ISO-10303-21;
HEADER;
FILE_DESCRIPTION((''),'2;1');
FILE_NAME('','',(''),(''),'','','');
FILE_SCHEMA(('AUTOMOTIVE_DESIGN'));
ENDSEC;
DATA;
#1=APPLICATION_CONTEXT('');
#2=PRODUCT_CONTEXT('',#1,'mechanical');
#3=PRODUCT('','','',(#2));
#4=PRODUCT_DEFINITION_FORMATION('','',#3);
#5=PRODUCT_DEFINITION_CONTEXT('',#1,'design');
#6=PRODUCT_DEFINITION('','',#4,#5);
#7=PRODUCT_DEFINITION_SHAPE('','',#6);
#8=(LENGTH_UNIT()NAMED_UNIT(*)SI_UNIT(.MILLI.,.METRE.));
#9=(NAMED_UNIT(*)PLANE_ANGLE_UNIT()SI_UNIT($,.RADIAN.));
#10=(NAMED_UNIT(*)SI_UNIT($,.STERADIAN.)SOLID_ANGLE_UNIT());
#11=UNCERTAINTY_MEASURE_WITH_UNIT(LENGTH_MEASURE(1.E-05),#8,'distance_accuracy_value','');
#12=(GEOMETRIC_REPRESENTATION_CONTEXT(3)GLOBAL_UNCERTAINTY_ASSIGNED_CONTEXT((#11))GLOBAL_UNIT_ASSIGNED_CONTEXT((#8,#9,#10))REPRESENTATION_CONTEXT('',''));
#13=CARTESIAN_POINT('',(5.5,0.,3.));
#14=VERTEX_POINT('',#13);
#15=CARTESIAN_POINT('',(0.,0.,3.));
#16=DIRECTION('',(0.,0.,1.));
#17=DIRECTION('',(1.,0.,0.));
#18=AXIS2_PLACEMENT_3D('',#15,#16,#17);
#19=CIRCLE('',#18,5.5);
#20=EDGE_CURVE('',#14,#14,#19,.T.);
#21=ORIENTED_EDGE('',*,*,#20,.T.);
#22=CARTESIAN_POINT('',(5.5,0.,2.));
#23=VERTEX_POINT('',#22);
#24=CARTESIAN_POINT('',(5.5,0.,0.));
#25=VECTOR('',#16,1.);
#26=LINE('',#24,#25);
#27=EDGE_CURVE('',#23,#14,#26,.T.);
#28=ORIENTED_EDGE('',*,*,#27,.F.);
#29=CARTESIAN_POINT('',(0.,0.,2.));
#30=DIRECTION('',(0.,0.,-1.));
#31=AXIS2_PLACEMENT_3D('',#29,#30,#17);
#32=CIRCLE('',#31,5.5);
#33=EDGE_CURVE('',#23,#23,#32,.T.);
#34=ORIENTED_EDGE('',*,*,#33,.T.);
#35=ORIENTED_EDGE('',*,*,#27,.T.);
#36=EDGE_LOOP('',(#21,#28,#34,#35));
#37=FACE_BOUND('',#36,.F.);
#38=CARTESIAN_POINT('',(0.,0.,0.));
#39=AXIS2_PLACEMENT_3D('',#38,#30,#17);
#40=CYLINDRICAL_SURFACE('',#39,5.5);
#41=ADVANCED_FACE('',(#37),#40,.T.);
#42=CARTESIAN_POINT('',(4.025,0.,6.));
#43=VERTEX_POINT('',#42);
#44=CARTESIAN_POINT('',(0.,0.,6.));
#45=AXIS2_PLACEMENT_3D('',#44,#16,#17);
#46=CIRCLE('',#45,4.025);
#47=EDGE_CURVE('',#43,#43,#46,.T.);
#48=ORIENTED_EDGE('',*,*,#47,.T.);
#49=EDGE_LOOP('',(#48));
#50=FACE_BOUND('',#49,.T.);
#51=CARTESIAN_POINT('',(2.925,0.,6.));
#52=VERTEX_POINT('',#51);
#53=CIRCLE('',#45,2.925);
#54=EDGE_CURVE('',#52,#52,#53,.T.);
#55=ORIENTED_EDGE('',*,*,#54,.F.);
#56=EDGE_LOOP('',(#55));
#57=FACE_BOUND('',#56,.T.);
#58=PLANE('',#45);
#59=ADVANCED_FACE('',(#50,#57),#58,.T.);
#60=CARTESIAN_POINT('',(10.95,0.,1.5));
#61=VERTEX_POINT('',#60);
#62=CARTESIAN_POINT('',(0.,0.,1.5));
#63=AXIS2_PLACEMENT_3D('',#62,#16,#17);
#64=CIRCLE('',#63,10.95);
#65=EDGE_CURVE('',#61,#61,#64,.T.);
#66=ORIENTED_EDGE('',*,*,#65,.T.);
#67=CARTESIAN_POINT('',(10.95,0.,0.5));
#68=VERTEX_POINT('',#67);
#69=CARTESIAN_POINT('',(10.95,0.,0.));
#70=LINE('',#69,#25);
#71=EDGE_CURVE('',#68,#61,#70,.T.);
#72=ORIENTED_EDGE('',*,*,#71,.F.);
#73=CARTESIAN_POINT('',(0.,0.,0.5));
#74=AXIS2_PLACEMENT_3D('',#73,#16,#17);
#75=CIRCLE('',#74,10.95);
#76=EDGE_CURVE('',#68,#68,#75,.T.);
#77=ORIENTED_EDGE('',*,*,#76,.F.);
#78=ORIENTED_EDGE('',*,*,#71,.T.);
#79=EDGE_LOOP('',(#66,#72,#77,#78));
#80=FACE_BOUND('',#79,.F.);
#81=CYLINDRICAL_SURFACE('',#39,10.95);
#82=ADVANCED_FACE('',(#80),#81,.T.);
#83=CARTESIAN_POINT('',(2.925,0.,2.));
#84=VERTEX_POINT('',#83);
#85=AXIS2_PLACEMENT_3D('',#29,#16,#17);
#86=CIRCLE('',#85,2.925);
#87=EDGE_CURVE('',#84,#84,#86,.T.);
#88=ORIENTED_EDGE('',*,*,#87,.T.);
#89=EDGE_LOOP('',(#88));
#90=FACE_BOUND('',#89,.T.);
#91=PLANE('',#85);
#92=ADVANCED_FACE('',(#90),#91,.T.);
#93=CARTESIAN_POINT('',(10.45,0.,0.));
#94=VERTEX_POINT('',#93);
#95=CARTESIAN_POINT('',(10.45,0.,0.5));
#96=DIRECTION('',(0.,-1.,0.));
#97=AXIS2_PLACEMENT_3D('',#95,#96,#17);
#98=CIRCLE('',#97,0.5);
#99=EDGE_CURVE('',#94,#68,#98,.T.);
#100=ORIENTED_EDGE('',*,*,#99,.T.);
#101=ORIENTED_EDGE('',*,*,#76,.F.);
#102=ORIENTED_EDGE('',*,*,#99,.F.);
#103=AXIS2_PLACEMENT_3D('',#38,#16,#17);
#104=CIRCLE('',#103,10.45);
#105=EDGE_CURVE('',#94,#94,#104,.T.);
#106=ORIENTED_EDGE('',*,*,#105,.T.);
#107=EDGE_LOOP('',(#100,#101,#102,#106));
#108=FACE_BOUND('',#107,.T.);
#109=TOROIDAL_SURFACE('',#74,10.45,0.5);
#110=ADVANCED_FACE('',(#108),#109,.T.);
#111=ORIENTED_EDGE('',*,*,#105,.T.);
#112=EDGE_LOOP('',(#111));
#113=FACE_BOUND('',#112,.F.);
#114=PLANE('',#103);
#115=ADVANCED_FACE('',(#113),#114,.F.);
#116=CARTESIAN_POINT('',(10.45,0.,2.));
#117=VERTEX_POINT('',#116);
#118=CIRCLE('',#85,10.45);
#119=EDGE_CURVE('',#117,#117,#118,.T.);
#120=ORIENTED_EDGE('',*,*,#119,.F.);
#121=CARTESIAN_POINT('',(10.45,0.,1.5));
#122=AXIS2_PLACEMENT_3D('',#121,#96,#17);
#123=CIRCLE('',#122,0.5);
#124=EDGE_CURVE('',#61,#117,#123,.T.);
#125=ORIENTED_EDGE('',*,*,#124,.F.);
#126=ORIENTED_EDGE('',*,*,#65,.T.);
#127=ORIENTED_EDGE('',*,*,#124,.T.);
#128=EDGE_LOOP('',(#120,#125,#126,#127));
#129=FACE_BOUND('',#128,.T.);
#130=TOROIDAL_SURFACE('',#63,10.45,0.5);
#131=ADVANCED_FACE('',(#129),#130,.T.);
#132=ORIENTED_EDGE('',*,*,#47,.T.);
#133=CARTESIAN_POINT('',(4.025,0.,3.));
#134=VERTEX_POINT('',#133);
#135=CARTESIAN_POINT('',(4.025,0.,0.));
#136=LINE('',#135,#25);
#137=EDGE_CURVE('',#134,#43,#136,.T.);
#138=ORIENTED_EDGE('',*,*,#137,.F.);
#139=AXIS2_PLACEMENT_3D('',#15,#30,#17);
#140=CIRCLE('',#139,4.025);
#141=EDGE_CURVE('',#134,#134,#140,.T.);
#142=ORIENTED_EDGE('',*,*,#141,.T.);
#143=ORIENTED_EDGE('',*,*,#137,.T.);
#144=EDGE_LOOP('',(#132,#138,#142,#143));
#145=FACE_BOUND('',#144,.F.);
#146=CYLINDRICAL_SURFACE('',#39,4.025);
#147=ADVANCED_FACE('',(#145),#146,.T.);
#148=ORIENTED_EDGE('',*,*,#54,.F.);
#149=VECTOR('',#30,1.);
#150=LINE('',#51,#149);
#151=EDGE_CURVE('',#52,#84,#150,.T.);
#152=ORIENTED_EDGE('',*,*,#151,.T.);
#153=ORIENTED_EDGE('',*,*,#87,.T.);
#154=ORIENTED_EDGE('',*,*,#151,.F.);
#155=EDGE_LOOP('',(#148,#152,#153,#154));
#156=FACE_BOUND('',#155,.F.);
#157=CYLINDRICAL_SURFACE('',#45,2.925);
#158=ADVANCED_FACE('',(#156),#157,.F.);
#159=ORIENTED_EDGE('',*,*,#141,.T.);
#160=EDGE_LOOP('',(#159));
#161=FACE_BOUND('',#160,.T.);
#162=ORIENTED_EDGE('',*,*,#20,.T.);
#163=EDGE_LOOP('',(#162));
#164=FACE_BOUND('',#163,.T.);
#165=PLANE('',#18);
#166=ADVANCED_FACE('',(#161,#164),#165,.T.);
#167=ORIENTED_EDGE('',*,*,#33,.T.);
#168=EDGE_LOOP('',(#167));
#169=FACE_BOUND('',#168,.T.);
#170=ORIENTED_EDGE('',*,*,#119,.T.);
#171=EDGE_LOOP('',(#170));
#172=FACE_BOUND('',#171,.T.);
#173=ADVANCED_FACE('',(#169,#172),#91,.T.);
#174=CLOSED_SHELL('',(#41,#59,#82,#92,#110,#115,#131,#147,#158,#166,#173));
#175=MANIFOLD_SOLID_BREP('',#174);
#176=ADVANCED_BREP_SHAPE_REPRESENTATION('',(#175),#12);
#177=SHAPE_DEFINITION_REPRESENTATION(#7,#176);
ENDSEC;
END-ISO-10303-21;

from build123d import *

# Parameters (mm, degrees)
F0_R     = 10.95
F0_R_2   = 0.069
F3_DEPTH = 2
F1_R     = 5.5
F4_DEPTH = 3
F2_R     = 4.025
F5_DEPTH = 6
F6_R     = 0.5
F7_R     = 2.925
F8_DEPTH = 4


with BuildPart() as f3:
    # F0 (on Top) → F3 (new body)
    with BuildSketch(Plane.XY):
        Circle(F0_R)
        Circle(F0_R_2, mode=Mode.SUBTRACT)
    extrude(amount=F3_DEPTH)

    # F1 (on Top) → F4 (join)
    with BuildSketch(Plane.XY):
        Circle(F1_R)
    extrude(amount=F4_DEPTH)

    # F2 (on Top) → F5 (join)
    with BuildSketch(Plane.XY):
        Circle(F2_R)
    extrude(amount=F5_DEPTH)

    # F6
    f6_edges = [f3.edges().sort_by_distance(p)[0] for p in [
        (10.95, 0, 1),
        (-10.95, 0, 0),
        (-10.95, 0, 2),
    ]]
    fillet(f6_edges, radius=F6_R)

    # F7 (on face) → F8 (cut)
    with BuildSketch(Plane.XY.offset(6)):
        Circle(F7_R)
    extrude(amount=-F8_DEPTH, mode=Mode.SUBTRACT)


solid = f3.part
